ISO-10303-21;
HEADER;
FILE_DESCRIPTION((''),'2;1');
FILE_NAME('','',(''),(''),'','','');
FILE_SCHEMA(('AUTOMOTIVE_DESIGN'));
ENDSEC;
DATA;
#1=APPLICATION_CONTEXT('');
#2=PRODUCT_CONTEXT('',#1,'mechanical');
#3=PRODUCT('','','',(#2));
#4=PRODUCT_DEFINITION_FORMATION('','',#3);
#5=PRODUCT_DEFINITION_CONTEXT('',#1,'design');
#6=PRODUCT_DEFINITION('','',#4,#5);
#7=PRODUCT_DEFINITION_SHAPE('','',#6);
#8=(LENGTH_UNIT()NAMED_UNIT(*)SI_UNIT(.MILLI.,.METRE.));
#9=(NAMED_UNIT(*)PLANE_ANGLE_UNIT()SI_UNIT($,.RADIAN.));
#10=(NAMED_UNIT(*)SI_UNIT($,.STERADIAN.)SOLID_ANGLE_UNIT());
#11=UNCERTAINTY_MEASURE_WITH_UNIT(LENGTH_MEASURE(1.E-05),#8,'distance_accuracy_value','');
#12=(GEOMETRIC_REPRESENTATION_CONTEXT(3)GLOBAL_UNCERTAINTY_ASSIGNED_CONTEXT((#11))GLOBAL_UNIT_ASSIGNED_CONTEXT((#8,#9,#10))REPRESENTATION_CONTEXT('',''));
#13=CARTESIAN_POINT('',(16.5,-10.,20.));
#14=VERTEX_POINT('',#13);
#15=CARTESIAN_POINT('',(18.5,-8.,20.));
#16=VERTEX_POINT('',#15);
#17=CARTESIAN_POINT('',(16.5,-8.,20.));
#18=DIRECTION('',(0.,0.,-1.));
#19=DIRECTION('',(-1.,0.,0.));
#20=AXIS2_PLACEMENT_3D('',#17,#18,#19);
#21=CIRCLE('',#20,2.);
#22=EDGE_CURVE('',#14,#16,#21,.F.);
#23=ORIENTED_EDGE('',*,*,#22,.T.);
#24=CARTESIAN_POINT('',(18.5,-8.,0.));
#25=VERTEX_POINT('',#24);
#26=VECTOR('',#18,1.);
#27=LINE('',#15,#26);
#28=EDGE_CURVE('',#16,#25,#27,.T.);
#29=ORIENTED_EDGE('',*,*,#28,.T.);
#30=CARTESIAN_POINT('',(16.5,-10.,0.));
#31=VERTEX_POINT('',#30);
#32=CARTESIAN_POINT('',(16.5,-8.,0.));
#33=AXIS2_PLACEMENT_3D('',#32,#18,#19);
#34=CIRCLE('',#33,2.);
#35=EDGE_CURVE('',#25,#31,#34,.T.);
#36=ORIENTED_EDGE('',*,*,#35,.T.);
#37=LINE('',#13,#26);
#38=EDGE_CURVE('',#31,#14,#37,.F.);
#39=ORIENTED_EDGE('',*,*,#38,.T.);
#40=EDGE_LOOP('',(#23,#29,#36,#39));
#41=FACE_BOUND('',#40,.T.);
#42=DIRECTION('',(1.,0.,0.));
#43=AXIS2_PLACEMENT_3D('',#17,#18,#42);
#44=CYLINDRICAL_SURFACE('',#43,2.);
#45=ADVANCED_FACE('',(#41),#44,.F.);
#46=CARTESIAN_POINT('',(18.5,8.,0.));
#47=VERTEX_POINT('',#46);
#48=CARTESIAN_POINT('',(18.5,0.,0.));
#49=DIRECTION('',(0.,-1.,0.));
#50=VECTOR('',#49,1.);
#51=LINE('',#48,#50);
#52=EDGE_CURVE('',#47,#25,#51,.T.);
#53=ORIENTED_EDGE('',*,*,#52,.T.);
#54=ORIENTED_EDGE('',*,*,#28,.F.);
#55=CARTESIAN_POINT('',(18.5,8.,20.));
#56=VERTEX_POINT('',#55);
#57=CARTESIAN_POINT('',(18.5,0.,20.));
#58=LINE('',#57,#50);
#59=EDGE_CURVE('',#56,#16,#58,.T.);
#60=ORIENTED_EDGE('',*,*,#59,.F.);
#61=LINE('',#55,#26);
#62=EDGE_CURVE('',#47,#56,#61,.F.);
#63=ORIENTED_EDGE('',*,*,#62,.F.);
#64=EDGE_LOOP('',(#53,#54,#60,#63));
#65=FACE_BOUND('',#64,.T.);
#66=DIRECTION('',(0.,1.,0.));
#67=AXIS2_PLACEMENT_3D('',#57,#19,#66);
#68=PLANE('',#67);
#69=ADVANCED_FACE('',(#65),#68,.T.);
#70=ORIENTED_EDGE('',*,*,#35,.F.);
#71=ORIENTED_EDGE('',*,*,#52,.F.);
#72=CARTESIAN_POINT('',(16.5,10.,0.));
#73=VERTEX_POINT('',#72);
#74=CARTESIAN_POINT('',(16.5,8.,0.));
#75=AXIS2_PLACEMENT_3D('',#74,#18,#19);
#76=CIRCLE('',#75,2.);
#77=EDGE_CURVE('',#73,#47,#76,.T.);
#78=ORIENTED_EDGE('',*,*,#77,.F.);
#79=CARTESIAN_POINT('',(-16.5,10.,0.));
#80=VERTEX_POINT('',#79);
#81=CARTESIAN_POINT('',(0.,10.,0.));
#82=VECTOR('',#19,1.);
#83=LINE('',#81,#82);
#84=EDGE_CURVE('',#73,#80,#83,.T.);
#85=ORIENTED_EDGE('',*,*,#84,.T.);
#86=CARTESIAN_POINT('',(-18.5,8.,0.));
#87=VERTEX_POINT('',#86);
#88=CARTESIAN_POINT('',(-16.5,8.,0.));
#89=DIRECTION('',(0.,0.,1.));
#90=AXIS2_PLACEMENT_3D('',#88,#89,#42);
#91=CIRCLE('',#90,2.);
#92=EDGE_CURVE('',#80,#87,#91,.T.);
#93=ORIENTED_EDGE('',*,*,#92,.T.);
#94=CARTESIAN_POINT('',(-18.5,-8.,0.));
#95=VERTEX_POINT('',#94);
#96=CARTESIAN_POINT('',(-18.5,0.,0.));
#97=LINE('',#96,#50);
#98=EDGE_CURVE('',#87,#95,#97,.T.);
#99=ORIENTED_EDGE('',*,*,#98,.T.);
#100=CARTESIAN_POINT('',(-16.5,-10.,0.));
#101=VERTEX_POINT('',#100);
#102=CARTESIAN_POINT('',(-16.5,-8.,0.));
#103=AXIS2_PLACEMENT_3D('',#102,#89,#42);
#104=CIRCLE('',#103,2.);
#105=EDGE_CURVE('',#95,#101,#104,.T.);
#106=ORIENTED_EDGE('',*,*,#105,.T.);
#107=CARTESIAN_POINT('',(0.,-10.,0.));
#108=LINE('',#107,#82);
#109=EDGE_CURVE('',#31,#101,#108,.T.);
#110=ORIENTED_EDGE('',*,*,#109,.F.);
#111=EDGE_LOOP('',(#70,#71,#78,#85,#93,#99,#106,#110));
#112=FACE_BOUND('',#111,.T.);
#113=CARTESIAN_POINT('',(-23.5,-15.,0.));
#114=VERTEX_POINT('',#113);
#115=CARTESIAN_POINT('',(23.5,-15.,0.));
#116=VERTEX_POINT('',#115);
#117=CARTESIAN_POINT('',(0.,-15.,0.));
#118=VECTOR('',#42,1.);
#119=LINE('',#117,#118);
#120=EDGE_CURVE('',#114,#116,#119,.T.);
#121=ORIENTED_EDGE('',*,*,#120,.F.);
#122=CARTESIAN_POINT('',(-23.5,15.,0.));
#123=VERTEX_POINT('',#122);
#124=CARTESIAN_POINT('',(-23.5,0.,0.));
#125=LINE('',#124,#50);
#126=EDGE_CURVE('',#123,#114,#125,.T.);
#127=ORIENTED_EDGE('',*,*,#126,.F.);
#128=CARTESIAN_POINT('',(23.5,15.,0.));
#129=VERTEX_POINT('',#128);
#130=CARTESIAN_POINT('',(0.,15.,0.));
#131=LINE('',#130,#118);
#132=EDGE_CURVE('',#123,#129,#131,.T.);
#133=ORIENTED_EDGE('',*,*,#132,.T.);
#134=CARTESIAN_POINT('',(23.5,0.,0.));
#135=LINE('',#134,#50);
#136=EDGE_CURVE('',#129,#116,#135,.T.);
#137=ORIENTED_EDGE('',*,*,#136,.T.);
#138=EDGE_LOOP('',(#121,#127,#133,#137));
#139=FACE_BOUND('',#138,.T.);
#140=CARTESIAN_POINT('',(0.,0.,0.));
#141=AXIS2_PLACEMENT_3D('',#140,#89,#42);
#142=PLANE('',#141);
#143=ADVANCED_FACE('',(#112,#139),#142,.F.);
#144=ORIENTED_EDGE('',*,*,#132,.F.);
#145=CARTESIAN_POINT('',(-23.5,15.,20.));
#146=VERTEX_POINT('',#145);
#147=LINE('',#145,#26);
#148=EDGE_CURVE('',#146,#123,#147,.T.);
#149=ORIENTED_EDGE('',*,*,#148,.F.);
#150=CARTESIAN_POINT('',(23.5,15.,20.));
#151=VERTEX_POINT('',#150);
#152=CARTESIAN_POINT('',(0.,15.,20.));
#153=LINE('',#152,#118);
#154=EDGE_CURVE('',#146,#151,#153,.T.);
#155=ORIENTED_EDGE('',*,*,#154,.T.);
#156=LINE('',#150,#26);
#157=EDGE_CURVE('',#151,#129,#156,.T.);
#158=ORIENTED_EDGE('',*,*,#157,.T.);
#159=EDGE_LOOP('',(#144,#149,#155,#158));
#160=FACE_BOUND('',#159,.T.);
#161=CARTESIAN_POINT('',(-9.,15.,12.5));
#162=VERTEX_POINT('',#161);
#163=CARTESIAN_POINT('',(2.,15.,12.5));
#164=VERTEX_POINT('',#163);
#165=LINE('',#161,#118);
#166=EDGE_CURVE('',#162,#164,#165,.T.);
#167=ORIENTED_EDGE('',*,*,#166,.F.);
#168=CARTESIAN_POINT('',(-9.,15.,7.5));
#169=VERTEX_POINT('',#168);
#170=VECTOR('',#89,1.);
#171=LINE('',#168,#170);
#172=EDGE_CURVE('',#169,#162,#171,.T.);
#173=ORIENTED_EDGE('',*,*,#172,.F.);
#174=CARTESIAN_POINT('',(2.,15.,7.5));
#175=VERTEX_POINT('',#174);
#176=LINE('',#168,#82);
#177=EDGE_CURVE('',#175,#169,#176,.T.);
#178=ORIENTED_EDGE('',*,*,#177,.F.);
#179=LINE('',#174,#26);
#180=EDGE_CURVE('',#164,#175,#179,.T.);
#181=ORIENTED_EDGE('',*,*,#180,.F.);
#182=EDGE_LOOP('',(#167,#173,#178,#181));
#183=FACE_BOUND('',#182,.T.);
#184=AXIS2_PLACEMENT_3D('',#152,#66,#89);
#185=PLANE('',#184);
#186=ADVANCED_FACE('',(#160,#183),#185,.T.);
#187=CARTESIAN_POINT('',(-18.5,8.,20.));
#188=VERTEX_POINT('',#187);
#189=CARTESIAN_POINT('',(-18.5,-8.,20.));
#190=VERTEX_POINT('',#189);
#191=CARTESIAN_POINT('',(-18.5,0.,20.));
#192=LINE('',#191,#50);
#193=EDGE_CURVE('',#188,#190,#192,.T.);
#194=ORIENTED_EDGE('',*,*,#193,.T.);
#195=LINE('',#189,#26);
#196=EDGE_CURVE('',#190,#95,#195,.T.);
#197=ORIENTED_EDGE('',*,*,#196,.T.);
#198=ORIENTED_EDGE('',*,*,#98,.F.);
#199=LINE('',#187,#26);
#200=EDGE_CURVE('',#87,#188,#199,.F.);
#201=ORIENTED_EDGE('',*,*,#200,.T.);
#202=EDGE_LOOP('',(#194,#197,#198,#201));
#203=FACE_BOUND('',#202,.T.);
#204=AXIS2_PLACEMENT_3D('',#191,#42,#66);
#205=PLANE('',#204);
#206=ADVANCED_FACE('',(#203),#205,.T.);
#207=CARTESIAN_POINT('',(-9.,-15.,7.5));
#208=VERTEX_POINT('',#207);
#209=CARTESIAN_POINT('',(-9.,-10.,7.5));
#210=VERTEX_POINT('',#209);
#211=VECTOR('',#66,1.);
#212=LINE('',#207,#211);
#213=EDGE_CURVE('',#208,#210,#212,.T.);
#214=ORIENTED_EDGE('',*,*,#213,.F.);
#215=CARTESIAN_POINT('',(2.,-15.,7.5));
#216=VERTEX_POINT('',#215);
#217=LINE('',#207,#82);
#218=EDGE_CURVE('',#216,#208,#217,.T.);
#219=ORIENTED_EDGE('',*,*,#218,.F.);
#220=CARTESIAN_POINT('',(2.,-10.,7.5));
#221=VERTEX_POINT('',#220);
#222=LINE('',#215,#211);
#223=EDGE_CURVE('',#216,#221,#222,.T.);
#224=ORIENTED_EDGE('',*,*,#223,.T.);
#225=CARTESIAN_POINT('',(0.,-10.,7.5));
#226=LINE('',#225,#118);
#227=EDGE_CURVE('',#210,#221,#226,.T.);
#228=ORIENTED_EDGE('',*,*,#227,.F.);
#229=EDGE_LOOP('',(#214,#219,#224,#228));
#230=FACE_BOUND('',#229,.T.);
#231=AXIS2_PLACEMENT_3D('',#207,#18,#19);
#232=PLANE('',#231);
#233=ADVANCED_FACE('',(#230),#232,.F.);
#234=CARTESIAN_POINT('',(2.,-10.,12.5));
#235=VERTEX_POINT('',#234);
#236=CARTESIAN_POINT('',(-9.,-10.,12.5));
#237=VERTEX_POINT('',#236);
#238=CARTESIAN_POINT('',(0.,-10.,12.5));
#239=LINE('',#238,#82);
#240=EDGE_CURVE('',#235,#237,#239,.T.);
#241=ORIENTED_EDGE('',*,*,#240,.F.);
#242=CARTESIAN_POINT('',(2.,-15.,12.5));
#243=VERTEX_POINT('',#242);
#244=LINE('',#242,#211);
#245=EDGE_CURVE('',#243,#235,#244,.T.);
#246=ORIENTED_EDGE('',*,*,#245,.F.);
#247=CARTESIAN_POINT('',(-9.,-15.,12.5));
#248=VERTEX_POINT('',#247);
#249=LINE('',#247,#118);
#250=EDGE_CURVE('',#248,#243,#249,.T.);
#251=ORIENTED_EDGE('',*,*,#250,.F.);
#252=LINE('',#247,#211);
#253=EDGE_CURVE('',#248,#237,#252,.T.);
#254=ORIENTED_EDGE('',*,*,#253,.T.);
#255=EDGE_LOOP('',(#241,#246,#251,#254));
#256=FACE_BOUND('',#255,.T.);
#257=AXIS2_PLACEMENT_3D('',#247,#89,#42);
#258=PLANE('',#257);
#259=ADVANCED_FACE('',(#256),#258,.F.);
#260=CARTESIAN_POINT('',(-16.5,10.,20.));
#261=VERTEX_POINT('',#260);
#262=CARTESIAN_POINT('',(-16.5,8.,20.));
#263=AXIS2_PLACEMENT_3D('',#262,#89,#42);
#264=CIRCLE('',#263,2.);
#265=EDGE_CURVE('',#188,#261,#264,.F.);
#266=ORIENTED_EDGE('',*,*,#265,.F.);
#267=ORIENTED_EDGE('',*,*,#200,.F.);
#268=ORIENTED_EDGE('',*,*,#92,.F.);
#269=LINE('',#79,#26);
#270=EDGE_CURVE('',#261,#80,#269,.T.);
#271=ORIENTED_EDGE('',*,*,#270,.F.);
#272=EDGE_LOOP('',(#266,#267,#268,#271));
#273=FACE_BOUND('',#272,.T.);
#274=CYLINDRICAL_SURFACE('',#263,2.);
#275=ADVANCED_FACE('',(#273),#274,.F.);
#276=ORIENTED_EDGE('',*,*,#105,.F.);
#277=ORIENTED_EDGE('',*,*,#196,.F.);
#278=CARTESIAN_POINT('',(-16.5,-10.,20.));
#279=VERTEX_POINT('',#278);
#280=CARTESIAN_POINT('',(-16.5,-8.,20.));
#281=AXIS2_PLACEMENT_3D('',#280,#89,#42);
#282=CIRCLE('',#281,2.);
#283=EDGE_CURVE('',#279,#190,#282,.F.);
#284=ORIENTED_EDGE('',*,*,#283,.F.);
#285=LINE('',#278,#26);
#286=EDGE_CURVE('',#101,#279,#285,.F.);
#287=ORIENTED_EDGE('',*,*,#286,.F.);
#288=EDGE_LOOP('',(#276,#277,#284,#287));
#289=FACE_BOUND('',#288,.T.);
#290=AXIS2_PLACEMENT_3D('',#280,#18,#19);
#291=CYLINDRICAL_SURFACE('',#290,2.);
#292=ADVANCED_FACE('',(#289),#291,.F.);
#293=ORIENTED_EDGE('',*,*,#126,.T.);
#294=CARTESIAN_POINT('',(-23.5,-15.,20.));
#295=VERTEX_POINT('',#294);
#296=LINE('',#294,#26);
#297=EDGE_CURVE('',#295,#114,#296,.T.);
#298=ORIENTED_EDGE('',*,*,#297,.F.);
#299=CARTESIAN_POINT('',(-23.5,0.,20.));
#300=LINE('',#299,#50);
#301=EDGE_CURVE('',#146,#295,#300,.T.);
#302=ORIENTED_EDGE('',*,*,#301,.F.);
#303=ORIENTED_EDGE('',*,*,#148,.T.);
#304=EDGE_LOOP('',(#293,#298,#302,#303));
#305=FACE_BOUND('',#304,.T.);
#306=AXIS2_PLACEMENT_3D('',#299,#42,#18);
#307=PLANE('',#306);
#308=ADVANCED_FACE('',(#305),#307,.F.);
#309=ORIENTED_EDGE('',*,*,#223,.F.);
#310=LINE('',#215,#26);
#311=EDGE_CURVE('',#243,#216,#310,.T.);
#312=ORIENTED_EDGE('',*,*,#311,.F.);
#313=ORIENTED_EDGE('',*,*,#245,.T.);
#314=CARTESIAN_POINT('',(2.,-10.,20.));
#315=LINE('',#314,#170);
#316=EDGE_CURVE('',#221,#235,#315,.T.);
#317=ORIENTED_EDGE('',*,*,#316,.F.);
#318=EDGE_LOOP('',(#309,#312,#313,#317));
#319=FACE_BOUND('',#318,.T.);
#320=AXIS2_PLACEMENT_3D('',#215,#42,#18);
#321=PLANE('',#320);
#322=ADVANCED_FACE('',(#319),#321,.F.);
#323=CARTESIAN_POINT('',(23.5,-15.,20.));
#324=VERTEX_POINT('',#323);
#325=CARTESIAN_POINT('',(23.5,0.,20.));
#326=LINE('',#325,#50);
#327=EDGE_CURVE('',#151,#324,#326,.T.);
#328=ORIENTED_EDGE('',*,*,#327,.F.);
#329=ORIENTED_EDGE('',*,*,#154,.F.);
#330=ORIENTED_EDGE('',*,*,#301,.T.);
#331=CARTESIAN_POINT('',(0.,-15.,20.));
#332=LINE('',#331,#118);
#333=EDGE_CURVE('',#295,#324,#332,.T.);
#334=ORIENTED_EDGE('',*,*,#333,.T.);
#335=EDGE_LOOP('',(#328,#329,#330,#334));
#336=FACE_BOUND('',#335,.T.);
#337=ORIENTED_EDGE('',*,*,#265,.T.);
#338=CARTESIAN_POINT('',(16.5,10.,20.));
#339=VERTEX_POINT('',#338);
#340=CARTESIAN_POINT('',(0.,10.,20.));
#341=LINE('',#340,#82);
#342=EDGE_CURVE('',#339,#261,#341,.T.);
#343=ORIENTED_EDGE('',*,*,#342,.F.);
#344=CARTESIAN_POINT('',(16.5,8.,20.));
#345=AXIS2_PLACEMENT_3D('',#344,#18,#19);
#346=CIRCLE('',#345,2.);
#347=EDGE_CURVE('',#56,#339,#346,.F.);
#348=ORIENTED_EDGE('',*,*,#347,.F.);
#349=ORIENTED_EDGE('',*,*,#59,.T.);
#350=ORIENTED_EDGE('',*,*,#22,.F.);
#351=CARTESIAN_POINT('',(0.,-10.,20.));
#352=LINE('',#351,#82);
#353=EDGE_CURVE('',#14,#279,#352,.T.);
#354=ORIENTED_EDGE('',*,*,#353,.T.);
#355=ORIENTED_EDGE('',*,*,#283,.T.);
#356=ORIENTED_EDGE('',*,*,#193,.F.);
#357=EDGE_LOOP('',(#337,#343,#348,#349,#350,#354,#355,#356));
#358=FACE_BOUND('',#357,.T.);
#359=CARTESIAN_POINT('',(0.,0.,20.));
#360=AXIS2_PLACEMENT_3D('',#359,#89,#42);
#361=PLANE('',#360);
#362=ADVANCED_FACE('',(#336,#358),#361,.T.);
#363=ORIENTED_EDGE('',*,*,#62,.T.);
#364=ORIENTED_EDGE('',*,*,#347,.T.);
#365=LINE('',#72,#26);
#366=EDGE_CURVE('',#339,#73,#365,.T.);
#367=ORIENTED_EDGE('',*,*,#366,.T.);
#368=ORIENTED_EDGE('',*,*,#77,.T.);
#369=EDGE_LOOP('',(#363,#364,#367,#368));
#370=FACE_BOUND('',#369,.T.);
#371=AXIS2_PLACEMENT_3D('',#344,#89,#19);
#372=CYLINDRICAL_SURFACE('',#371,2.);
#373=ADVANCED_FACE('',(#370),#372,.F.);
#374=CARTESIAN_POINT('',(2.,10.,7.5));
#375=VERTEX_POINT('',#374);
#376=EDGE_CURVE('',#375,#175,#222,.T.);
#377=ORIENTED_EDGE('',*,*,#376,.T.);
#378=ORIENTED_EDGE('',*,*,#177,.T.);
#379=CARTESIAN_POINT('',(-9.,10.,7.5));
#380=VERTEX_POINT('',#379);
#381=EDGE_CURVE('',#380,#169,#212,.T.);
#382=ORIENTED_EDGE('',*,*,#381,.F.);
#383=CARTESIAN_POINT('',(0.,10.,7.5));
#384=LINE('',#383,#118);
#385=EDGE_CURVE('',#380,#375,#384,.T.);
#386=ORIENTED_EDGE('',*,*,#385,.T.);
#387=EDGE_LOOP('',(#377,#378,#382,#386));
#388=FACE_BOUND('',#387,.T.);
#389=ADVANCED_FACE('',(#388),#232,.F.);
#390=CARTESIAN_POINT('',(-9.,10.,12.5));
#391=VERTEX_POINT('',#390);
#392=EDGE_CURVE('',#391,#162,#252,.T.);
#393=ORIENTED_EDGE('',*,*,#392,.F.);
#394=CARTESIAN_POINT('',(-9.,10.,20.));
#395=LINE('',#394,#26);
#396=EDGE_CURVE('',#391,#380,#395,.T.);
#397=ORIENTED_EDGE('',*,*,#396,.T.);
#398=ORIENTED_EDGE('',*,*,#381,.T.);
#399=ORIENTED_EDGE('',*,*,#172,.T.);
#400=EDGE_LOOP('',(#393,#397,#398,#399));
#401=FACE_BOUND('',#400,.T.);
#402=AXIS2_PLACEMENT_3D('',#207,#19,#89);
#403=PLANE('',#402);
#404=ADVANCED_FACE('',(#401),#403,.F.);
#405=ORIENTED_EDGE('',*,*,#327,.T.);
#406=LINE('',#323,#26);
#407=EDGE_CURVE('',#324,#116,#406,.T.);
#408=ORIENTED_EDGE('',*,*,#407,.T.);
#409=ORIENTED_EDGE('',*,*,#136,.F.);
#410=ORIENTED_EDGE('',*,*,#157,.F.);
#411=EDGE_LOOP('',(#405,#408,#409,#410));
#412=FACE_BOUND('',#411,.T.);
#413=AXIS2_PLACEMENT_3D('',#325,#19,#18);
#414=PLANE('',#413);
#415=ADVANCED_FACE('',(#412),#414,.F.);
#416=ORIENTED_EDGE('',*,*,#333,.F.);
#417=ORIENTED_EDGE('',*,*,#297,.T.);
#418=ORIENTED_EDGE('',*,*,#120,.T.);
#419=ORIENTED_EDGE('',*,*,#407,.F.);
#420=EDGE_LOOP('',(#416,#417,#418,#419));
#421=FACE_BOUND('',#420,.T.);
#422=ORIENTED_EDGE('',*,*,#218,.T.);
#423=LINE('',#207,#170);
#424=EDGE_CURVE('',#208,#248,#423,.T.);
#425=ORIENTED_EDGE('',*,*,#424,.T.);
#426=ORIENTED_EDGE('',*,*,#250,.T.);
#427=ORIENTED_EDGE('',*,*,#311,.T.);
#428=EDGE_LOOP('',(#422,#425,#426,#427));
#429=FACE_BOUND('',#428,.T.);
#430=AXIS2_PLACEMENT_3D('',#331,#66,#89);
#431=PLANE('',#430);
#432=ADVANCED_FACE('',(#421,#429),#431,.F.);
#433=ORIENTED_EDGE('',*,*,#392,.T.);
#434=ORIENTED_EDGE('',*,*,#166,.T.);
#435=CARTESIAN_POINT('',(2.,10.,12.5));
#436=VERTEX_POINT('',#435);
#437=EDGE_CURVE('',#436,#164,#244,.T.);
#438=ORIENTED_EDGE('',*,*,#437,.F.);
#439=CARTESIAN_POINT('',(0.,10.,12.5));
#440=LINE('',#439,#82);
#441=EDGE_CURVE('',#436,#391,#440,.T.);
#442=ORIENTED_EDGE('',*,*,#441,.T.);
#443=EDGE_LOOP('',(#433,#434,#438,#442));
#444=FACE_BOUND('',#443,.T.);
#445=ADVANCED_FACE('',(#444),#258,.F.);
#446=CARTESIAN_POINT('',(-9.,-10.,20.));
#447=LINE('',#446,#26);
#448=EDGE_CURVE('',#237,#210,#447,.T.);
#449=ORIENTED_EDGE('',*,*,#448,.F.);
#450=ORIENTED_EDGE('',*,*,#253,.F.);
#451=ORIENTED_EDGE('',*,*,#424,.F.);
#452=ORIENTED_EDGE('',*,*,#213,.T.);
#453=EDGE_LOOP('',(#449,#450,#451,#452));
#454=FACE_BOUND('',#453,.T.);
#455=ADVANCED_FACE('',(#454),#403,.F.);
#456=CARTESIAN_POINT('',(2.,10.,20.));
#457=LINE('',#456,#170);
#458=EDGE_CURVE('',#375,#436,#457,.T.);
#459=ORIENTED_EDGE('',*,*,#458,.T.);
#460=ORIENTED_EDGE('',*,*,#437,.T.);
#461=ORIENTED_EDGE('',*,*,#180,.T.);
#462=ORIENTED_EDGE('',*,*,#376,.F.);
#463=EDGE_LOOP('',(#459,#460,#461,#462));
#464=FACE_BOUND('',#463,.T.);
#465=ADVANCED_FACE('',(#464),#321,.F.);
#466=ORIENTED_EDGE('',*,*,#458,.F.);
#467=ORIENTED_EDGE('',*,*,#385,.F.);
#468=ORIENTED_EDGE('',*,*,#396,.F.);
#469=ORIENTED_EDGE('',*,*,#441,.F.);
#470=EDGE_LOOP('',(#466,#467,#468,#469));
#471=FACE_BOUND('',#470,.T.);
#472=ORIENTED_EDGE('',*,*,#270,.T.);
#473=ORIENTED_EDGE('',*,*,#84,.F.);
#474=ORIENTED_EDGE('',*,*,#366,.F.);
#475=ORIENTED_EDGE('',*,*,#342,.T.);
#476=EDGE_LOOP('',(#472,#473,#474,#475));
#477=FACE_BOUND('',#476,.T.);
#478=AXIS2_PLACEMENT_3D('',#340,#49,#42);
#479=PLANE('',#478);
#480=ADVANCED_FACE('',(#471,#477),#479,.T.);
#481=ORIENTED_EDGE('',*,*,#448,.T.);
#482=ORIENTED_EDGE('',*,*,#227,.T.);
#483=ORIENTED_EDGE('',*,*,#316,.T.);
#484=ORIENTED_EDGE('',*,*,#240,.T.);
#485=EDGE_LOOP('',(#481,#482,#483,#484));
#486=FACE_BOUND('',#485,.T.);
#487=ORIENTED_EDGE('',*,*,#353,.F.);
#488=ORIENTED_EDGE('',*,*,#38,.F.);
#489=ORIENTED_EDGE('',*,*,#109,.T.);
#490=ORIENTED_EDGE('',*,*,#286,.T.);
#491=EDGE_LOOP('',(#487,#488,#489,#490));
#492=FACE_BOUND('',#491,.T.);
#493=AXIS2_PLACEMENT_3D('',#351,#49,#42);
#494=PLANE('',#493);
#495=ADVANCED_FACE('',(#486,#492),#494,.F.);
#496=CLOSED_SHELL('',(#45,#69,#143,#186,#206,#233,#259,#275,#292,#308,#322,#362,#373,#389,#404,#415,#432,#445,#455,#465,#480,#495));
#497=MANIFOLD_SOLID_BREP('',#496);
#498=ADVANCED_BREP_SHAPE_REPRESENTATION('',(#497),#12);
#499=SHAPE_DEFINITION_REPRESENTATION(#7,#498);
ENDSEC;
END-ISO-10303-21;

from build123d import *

# Parameters (mm, degrees)
EXTRUDE_1_DEPTH     = 20
FILLET_1_R          = 2
SKETCH_3_W          = 11
SKETCH_3_H          = 5
CUT_EXTRUDE_3_DEPTH = 31


with BuildPart() as part:
    # Sketch 1 → Extrude 1 (new body)
    with BuildSketch(Plane.XY):
        Polygon((0, 15), (-23.5, 15), (-23.5, -15), (0, -15), (0, -10), (-18.5, -10), (-18.5, 10), (0, 10), align=None)
    extrude(amount=EXTRUDE_1_DEPTH)

    # Fillet 1
    fillet_1_edges = [part.edges().sort_by_distance(p)[0] for p in [
        (-18.5, -10, 10),
        (-18.5, 10, 10),
    ]]
    fillet(fillet_1_edges, radius=FILLET_1_R)

    # Mirror 1: part across plane


with BuildPart() as part_1:
    add(part.part)
    add(part.part.mirror(Plane(origin=(0, 0, 20), x_dir=(0, 0, 1), z_dir=(1, 0, 0))))

    # Sketch 3 → Cut-Extrude 3 (cut, through all)
    with BuildSketch(Plane(origin=(0, 15, 0), x_dir=(1, 0, 0), z_dir=(0, 1, 0))):
        with Locations((-3.5, -10)):
            Rectangle(SKETCH_3_W, SKETCH_3_H)
    extrude(amount=-CUT_EXTRUDE_3_DEPTH, mode=Mode.SUBTRACT)


solid = part_1.part
